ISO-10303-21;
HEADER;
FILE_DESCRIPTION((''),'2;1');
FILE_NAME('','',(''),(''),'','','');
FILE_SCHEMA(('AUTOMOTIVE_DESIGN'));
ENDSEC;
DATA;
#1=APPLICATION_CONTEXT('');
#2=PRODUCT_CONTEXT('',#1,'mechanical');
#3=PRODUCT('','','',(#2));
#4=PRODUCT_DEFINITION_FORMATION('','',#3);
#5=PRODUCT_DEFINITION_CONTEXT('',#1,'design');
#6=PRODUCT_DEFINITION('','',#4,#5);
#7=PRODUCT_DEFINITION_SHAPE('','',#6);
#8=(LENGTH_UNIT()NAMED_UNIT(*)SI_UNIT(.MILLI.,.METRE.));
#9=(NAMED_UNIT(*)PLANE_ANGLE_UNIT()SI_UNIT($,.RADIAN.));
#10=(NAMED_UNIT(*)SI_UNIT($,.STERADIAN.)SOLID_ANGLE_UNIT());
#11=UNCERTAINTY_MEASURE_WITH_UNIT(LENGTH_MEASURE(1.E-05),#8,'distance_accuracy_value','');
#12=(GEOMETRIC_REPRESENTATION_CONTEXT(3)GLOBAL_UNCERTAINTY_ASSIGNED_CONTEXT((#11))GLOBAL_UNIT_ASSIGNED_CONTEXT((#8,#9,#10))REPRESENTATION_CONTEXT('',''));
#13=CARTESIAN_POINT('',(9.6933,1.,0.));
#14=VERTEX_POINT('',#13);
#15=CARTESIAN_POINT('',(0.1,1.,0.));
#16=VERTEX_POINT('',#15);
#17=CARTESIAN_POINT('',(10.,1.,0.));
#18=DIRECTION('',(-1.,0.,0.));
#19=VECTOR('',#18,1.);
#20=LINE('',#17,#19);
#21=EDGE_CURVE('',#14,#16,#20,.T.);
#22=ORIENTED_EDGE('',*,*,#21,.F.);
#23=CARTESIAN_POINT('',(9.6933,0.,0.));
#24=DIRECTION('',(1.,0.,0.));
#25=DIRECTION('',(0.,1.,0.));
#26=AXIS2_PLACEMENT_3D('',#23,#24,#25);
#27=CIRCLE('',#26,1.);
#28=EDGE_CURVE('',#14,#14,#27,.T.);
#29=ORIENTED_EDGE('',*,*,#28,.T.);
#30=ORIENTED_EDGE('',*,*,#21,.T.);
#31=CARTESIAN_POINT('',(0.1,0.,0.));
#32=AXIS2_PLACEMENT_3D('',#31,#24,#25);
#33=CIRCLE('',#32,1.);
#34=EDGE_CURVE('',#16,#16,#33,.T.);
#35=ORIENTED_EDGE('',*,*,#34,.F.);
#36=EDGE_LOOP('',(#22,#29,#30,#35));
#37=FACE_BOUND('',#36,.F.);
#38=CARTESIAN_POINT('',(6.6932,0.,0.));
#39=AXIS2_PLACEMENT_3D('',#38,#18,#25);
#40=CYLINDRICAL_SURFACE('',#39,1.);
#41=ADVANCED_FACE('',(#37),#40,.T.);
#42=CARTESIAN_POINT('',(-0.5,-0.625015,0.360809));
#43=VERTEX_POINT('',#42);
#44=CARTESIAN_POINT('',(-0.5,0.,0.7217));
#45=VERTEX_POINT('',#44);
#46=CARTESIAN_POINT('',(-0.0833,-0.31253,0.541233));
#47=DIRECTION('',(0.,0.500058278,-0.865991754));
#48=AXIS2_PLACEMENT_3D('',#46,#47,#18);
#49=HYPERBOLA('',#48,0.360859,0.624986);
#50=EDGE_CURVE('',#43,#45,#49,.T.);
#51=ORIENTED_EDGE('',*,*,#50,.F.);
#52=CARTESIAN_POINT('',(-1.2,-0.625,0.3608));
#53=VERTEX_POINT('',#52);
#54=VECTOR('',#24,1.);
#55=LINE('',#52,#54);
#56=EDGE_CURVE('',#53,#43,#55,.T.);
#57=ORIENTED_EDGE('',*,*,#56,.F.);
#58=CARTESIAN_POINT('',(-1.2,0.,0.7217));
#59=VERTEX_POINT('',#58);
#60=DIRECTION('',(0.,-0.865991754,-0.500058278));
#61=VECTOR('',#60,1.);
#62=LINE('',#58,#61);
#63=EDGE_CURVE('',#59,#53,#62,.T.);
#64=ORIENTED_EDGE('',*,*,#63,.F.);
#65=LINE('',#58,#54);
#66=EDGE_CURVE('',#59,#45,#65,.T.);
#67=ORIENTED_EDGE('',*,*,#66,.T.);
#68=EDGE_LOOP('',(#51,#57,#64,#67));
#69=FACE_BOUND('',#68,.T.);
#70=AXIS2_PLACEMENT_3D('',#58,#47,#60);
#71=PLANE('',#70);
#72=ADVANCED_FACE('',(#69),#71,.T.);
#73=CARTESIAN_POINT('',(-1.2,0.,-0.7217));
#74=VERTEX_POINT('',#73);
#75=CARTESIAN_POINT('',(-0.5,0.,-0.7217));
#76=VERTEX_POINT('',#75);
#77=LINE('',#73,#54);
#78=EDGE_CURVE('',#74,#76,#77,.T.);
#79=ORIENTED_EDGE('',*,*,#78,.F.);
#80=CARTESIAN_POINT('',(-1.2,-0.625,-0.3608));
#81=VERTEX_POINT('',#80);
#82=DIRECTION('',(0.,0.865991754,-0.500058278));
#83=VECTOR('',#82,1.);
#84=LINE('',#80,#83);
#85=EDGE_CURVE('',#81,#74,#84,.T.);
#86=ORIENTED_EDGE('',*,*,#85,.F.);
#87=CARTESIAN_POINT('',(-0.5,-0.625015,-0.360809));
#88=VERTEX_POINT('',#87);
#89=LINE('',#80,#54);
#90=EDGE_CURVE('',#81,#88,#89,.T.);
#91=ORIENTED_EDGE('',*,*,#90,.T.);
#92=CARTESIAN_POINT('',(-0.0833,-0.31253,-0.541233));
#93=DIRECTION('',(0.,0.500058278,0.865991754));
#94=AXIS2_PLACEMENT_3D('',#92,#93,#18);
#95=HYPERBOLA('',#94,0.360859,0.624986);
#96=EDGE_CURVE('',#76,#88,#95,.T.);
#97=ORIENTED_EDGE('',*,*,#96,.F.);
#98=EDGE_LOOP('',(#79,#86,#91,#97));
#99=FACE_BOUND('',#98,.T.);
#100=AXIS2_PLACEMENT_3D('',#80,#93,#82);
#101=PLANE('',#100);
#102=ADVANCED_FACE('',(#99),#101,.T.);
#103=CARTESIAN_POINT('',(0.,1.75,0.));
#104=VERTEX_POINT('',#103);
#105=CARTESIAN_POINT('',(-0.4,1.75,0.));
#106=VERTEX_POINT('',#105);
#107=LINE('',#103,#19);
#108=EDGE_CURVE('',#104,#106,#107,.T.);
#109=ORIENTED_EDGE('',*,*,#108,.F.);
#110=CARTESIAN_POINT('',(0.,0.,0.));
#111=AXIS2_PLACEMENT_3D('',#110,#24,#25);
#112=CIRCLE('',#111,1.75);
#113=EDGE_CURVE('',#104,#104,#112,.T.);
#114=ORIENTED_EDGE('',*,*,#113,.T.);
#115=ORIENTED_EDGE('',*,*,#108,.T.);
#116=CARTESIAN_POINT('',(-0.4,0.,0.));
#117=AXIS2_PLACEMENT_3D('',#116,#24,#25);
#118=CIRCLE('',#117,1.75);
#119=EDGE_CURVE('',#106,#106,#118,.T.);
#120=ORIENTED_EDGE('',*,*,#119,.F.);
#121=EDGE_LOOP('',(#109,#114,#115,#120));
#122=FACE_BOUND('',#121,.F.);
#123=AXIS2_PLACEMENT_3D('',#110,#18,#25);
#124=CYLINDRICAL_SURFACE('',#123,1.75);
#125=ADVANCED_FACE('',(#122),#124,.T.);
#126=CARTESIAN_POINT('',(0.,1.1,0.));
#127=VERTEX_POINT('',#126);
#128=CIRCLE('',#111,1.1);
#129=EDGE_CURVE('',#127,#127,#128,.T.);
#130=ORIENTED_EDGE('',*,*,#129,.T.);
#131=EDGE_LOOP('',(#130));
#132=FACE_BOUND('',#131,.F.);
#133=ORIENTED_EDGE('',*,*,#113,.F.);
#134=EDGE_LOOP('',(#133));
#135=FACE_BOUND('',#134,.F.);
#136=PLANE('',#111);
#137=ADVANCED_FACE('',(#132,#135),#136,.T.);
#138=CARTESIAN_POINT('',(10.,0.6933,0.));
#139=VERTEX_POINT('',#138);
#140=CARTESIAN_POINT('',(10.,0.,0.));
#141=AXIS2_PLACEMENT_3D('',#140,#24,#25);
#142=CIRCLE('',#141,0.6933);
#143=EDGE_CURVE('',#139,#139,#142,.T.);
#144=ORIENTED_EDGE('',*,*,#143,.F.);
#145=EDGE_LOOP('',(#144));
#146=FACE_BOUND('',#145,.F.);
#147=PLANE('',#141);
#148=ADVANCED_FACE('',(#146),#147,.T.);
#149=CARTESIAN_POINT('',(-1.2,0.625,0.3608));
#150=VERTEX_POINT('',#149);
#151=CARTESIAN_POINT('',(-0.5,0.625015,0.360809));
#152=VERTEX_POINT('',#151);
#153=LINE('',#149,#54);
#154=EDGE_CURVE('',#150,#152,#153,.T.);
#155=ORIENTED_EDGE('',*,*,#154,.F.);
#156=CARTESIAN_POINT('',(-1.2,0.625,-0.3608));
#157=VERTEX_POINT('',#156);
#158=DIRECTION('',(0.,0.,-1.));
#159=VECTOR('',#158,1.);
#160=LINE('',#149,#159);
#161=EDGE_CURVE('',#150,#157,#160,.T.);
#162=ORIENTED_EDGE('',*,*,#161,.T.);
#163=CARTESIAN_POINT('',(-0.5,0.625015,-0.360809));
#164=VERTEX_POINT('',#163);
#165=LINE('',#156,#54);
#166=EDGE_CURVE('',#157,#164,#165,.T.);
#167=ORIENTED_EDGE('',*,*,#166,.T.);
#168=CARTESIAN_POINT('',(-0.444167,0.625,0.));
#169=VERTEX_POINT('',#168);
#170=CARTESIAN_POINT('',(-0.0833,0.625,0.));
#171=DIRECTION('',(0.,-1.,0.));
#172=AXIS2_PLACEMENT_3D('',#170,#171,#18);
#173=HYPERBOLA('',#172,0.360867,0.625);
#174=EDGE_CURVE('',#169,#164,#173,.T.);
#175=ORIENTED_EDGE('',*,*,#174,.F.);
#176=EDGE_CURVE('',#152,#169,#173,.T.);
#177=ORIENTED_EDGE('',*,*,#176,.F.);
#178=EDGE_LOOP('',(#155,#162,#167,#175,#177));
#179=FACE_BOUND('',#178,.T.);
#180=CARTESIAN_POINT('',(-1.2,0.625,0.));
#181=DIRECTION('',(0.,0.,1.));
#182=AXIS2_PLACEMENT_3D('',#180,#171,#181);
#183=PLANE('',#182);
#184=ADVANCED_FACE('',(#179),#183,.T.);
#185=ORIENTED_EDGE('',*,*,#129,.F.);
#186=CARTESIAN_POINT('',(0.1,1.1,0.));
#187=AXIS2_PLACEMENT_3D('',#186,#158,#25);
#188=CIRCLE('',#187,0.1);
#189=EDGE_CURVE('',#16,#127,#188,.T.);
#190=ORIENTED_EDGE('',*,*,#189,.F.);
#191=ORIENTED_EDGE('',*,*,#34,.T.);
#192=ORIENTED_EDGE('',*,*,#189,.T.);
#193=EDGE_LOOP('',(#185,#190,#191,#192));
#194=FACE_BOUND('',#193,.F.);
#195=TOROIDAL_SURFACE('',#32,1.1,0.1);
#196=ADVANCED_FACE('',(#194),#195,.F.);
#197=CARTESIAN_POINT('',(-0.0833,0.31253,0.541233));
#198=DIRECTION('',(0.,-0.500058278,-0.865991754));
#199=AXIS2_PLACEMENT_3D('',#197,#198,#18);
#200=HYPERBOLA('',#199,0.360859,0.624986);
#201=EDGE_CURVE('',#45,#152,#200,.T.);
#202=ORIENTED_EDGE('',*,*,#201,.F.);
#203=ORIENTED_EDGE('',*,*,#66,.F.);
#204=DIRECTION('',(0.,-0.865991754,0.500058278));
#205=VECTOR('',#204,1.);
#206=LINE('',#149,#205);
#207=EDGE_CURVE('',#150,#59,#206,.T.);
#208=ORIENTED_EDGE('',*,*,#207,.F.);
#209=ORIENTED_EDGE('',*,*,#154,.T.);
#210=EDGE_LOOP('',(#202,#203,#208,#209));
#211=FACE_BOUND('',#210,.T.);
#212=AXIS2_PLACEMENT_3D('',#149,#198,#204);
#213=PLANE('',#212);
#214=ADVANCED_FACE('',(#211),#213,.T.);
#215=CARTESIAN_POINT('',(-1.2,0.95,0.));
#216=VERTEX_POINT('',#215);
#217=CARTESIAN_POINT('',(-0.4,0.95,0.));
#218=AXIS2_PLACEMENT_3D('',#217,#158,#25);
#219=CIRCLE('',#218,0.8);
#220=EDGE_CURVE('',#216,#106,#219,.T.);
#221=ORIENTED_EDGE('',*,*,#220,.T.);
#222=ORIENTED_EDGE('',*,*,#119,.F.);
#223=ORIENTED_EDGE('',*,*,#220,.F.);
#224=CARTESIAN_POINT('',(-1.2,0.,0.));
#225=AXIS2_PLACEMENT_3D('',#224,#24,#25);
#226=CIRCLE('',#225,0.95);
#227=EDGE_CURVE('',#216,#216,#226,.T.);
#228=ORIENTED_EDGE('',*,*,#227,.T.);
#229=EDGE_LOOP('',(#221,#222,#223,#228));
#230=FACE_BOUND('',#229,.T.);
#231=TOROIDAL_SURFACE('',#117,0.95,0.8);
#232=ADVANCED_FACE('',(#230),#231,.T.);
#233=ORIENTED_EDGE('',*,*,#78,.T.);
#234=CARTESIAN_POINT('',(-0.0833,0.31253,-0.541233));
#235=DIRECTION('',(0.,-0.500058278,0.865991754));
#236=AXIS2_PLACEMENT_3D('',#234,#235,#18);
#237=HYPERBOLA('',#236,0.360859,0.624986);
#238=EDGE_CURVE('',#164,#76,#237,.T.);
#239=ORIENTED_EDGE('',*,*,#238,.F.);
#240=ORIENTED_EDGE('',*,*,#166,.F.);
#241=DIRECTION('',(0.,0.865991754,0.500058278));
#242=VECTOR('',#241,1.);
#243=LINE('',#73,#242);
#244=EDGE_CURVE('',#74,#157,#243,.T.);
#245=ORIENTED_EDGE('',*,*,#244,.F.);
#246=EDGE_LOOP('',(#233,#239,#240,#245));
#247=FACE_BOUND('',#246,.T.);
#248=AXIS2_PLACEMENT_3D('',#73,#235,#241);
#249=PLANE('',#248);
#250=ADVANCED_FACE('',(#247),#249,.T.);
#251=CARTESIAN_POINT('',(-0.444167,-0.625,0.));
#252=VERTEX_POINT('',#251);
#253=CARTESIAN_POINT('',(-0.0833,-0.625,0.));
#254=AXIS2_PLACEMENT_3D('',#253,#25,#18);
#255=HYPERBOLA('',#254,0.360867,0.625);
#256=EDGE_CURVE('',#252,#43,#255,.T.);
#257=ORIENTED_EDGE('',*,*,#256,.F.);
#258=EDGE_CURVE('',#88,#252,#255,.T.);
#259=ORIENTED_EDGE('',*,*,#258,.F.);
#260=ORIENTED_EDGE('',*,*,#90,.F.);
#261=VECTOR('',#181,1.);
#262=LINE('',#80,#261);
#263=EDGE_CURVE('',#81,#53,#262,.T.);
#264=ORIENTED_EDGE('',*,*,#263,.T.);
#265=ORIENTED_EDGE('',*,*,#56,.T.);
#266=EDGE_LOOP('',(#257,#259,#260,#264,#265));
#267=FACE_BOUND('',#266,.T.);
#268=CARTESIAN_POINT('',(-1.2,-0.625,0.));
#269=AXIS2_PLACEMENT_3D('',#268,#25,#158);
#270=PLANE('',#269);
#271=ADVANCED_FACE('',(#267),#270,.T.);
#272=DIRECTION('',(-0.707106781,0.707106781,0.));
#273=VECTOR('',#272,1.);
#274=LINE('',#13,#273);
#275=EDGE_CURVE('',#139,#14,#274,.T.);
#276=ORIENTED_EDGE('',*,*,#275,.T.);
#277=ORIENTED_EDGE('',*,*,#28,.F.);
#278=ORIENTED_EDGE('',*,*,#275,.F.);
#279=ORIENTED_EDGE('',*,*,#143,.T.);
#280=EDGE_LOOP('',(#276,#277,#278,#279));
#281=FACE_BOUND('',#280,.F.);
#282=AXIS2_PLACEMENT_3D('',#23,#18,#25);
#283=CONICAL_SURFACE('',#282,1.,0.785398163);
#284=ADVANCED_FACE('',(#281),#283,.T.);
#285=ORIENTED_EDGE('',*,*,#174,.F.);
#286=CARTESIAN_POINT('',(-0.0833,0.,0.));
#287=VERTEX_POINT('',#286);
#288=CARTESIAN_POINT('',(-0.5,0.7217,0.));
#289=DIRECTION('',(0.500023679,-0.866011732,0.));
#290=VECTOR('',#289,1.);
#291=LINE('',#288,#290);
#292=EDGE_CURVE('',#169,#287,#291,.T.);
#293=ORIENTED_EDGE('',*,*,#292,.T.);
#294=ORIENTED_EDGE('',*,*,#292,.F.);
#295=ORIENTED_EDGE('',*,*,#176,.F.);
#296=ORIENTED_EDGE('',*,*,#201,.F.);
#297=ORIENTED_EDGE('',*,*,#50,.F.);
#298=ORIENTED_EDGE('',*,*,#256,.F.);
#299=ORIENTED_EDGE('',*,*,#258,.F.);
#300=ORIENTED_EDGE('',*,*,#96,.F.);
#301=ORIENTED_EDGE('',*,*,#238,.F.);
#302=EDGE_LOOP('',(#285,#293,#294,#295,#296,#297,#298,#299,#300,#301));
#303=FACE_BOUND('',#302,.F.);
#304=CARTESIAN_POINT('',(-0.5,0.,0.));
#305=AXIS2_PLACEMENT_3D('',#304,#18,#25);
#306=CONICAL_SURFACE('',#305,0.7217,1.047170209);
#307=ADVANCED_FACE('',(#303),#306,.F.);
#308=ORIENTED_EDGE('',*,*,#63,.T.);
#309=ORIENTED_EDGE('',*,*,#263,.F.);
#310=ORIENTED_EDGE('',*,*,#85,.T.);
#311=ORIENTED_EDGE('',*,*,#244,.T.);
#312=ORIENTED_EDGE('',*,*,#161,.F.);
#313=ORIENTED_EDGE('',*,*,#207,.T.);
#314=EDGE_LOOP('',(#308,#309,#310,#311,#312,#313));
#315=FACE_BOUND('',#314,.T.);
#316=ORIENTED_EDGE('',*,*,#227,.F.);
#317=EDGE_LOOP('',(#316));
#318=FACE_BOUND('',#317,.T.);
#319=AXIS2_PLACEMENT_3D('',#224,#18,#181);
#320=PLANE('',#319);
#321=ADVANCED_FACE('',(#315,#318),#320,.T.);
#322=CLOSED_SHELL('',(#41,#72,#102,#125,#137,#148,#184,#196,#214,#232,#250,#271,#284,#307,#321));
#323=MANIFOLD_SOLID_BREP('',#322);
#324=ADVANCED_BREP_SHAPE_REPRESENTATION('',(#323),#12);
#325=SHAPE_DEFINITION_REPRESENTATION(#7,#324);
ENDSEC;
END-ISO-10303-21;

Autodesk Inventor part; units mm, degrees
ref_plane "YZ Plane" through (0, 0, 0) normal (1, 0, 0) x (0, 1, 0)
ref_plane "XZ Plane" through (0, 0, 0) normal (0, 1, 0) x (-1, 0, 0)
sketch "Sketch1" plane through (0, 0, 0) normal (0, 0, 1) x (1, 0, 0)
  line L0 (-0.0833, 0) -> (10, 0)
  line L1 (10, 0) -> (10, 1)
  line L2 (10, 1) -> (7, 1)
  line L3 (7, 1) -> (6.6932, 1)
  line L4 (6.6932, 1) -> (0, 1)
  line L5 (0, 1) -> (0, 1.75)
  line L6 (0, 1.75) -> (-1.2, 1.75)
  line L7 (-1.2, 1.75) -> (-1.2, 0.7217)
  line L8 (-1.2, 0.7217) -> (-0.5, 0.7217)
  line L9 (-0.5, 0.7217) -> (-0.0833, 0)
  line L10 (-3.44, 0) -> (12.24, 0) projected
  line L11 (0, -0.35) -> (0, 2.1) projected
  line L12 (7, 1) -> (0, 1) construction
  dimension "d1" = 3
  dimension "d2" = 0.3068
  dimension "d3" = 1.2
  dimension "d4" = 0.7
  dimension "d5" = 60
  dimension "d6" = 2
  dimension "d7" = 2
  dimension "d8" = 1.4434
  dimension "d9" = 3.5
  dimension "d26" = 10
revolve "Body" add sketch "Sketch1" angle 360 about axis through (-0.0833, 0, 0) along (1, 0, 0)
sketch "Sketch2" plane through (-1.2, 0, 0) normal (-1, 0, 0) x (0, 0, 1)
  circle A0 centre (0, 0) radius 0.7217 projected
  line L0 (0, -2.45) -> (0, 2.45) projected
  line L1 (-2.45, 0) -> (2.45, 0) projected
  line L2 (0.7217, 0) -> (0.3608, -0.625)
  line L3 (0.3608, -0.625) -> (-0.3608, -0.625)
  line L4 (-0.3608, -0.625) -> (-0.7217, 0)
  line L5 (-0.7217, 0) -> (-0.3608, 0.625)
  line L6 (-0.3608, 0.625) -> (0.3608, 0.625)
  line L7 (0.3608, 0.625) -> (0.7217, 0)
extrude "Slot" add sketch "Sketch2" against normal up to next contours L7 A0 | A0 L2 | L6 L0 A0 | A0 L0 L3 | L0 L6 A0 | A0 L3 L0 | L4 A0 | A0 L5
fillet "Fillet1" radius 0.8 1 edges at (-1.2, -1.75, 0)
chamfer "Chamfer1" distance 0.3067 distance2 0.3067 1 edges at (10, -1, 0) measured on face at (10, -0.5392, -0.3309)
ref_plane "Work Plane1" through (29, 0, 0) normal (0, -1, 0) x (1, 0, 0)
fillet "Fillet2" radius 0.1 1 edges at (0, -1, 0)
thread "Thread2" size "M2x0.4" class "6g" standard "ANSI Metric M Profile" full length
equation "\"d15\" = -0.5 * SPD + 0.5 * GD"
equation "\"d16\" = GUL"
equation "\"GD\" = NND"
equation "\"NLG\" = 6"
equation "\"GEL\" = 4.5"
equation "\"KOD\" = 5.7"
equation "\"KOH\" = 1.65"
equation "\"INTI\" = 1.04"
equation "\"GAL\" = 0.61345 * PTC"
equation "\"GUL\" = 0.61345 * PTC"
equation "\"BDM\" = NND"
equation "\"SW\" = 2"
equation "\"RR\" = 1.45"
equation "\"SPD\" = NND - 1.2269 * PTC"
equation "\"R\" = 0.3"
equation "\"TOA\" = 30deg"
equation "\"GD1\" = THREADDIA - 1.2269 * PTC"
equation "\"THREADDIA\" = 3"
equation "\"PTC\" = 0.5"
equation "\"NND\" = 3"
equation "\"KOH1\" = 0.2"
equation "\"E0\" = 2.303"
properties part number "M2x10 Bolt" material "Stainless Steel"
